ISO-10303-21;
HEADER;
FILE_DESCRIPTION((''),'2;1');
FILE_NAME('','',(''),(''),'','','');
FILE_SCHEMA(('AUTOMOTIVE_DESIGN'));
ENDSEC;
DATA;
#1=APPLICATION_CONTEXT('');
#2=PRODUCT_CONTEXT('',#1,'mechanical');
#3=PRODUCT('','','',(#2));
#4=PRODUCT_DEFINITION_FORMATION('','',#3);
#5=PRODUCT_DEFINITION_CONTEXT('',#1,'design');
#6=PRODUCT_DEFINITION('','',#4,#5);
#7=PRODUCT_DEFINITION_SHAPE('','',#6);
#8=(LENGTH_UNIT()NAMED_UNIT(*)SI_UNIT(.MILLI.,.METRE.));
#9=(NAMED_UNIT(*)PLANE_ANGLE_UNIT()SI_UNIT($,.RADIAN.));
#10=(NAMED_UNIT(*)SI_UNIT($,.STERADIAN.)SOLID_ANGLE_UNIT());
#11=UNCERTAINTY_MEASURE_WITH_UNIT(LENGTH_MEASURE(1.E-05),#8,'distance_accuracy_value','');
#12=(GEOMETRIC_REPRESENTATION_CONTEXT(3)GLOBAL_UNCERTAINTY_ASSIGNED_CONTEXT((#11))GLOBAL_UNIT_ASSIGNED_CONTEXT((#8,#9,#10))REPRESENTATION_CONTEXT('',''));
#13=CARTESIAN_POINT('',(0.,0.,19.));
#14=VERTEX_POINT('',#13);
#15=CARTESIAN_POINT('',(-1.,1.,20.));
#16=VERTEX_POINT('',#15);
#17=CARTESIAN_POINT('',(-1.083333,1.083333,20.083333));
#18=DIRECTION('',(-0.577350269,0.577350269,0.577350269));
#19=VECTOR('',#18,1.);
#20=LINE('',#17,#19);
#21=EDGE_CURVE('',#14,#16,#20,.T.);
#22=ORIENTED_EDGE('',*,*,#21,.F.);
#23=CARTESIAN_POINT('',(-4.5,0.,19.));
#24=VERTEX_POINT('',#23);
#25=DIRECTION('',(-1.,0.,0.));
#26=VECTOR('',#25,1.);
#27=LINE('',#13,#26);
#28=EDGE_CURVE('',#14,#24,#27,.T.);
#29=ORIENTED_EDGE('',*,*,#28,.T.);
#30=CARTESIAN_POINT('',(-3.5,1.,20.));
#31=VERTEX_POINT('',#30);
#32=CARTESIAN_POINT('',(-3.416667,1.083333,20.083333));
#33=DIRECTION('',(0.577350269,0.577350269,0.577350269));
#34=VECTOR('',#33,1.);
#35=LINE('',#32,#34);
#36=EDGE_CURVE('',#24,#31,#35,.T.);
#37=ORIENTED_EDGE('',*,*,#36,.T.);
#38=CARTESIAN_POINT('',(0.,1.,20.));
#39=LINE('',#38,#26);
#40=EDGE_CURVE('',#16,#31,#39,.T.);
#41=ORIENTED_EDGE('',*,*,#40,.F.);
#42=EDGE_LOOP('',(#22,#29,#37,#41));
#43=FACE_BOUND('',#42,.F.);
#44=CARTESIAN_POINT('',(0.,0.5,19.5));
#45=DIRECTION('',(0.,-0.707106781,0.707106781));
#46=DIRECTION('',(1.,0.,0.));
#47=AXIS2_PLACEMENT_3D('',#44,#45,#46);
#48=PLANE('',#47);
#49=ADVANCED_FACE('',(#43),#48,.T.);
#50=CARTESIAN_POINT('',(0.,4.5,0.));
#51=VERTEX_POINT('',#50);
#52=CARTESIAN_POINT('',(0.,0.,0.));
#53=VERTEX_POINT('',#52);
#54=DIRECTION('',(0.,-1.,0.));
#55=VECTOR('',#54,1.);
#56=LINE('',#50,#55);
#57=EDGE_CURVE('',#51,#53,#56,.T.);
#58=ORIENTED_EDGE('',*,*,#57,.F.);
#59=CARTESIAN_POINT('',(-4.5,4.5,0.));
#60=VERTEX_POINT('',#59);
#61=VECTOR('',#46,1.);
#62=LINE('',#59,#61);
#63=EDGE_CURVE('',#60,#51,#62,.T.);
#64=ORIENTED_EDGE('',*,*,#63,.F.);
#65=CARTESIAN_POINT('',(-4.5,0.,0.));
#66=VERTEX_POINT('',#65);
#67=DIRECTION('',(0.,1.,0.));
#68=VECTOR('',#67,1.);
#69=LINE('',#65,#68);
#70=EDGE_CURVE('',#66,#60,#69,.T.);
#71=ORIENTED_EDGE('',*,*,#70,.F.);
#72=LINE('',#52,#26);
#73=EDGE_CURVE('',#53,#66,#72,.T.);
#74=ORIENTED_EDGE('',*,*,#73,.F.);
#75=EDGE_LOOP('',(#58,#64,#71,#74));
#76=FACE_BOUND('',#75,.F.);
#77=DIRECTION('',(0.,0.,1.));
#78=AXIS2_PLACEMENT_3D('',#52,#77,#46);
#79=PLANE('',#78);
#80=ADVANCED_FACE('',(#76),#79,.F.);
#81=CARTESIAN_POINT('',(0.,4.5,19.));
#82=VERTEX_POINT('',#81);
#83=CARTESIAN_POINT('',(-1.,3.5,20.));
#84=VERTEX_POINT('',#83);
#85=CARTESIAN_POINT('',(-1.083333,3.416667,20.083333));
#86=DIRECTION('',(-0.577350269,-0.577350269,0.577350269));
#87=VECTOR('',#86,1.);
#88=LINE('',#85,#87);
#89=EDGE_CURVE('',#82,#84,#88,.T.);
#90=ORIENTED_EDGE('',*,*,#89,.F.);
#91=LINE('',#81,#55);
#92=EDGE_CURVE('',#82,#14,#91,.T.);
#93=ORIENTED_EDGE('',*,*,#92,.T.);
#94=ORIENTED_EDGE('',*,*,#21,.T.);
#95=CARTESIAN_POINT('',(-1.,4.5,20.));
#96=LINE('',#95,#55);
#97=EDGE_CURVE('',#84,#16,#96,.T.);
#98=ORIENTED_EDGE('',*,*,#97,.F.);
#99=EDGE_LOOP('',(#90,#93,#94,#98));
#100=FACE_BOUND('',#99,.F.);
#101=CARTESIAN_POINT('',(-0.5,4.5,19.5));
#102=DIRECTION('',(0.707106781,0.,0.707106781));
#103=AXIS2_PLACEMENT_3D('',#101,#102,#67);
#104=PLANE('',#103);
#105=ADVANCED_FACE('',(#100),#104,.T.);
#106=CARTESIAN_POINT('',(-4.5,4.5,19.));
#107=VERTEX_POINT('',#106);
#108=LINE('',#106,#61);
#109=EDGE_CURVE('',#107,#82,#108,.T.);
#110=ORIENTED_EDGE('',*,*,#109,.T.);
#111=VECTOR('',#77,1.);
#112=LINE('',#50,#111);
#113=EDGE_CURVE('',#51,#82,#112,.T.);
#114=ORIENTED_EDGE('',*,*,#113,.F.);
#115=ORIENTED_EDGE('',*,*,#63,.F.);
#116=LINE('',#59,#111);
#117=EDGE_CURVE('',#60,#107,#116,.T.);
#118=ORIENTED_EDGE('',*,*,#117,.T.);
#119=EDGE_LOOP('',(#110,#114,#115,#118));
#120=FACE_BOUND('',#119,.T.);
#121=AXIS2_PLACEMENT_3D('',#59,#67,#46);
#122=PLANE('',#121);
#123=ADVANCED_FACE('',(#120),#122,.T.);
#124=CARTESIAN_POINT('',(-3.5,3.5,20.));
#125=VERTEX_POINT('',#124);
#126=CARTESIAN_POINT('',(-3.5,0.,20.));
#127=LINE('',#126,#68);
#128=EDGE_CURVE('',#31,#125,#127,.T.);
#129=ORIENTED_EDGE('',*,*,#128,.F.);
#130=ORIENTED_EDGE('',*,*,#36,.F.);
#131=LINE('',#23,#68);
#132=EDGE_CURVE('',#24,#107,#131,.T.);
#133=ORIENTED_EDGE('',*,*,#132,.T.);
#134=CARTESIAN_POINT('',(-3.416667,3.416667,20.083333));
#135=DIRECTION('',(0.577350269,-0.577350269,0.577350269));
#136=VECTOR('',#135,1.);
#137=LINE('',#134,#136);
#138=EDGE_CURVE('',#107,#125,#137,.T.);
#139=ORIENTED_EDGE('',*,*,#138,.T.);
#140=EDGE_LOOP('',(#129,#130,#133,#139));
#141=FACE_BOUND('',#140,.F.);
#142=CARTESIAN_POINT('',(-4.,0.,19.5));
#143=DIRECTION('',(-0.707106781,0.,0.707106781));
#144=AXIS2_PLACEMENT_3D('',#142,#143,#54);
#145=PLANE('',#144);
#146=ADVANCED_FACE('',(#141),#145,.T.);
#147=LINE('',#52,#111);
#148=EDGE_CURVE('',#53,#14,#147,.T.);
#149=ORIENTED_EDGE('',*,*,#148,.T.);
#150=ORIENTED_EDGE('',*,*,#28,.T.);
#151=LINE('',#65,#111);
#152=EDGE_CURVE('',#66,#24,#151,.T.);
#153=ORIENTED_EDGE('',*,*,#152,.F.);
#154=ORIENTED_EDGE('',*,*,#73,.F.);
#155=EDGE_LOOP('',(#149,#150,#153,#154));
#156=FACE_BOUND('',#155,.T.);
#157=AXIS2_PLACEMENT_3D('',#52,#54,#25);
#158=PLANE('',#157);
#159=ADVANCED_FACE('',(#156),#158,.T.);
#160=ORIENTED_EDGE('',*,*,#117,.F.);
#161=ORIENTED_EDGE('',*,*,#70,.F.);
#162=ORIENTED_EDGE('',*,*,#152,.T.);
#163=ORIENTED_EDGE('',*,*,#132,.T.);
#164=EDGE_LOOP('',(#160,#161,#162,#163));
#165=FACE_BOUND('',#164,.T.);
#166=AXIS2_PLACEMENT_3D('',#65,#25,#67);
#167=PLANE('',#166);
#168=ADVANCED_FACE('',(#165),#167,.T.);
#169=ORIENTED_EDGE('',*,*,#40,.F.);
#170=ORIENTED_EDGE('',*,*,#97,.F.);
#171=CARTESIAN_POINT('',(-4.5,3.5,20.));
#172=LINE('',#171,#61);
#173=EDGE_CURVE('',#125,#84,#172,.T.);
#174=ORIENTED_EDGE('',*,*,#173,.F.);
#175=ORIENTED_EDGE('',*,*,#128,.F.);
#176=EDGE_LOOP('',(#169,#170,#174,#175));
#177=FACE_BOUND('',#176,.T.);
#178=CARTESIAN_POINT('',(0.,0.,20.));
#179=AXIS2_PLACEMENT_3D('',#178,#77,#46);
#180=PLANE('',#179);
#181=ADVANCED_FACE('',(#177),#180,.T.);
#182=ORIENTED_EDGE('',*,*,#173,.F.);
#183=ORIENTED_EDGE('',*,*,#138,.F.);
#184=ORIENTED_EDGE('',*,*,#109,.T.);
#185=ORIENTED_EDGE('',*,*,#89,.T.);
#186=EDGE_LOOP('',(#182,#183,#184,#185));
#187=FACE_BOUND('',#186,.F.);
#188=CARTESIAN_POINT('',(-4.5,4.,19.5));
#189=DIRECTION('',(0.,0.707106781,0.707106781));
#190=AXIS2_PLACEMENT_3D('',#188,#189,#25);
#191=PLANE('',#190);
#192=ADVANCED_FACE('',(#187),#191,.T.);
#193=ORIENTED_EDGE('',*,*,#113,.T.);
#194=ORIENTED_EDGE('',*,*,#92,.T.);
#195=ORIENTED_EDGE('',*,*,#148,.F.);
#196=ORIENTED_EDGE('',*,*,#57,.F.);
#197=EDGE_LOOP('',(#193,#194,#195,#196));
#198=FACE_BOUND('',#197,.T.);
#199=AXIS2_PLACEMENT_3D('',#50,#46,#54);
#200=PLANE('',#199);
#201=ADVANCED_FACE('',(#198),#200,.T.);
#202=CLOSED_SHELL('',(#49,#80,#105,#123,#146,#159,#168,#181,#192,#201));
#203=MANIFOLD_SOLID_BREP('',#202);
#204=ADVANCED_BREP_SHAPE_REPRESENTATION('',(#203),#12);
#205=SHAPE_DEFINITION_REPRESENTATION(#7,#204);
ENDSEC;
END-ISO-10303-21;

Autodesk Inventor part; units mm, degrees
ref_plane "YZ Plane" through (0, 0, 0) normal (1, 0, 0) x (0, 1, 0)
ref_plane "XZ Plane" through (0, 0, 0) normal (0, 1, 0) x (-1, 0, 0)
ref_plane "XY Plane" through (0, 0, 0) normal (0, 0, 1) x (1, 0, 0)
sketch "Sketch1" plane through (0, 0, 0) normal (0, 0, 1) x (1, 0, 0)
  line L0 (0, 0) -> (-4.5, 0)
  line L1 (-4.5, 0) -> (-4.5, 4.5)
  line L2 (-4.5, 4.5) -> (0, 4.5)
  line L3 (0, 4.5) -> (0, 0)
  dimension "d0" = 4.5
  dimension "d1" = 4.5
extrude "Extrusion1" add sketch "Sketch1" along normal blind 20
chamfer "Chamfer1" distance 1 angle 45 4 edges at (-2.25, 4.5, 20) (0, 2.25, 20) (-2.25, 0, 20) (-4.5, 2.25, 20)
properties part number "Pillar_TestFit_V1"
